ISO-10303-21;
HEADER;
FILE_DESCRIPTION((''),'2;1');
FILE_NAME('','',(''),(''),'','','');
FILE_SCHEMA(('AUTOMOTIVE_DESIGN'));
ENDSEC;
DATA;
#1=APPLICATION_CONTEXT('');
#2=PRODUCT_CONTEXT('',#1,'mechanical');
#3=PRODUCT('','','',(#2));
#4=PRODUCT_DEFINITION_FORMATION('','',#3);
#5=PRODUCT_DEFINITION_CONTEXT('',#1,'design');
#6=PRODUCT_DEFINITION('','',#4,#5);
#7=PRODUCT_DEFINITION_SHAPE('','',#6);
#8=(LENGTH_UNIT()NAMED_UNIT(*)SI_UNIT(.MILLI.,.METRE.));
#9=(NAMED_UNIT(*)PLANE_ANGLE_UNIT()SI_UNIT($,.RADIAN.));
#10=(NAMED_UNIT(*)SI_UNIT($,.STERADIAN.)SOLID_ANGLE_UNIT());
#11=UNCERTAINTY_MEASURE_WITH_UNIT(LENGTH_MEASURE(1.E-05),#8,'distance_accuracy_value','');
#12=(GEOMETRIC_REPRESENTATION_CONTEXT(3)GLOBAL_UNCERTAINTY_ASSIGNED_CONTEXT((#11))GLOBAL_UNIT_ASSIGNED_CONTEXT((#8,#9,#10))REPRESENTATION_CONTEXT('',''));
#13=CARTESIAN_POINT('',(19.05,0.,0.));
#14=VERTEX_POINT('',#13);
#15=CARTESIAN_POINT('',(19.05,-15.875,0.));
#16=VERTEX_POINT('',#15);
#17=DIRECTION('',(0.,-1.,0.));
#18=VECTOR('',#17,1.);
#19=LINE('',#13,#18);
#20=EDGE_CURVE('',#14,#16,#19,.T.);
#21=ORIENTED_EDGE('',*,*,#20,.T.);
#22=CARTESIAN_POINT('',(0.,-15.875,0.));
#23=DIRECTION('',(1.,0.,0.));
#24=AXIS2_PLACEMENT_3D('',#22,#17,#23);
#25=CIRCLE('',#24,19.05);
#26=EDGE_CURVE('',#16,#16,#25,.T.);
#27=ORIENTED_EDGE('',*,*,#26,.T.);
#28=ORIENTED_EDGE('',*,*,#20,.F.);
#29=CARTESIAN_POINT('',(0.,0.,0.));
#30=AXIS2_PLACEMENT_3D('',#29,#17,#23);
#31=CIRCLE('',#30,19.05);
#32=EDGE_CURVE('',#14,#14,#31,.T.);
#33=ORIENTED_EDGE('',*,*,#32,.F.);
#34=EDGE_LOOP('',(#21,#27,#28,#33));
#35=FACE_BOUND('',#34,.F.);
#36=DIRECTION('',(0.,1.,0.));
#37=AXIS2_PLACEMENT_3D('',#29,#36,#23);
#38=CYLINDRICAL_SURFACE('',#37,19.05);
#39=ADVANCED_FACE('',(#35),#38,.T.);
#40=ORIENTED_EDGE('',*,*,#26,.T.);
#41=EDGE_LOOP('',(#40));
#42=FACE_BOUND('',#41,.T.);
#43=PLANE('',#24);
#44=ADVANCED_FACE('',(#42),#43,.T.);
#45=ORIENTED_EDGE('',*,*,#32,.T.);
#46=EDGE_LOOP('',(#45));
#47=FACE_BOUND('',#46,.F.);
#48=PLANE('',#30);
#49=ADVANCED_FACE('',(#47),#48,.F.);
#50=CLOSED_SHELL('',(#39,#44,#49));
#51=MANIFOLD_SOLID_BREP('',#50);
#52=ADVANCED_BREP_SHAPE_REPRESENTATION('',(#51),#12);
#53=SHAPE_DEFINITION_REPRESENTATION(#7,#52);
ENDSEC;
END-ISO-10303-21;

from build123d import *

# Parameters (mm, degrees)
F0_R     = 19.05
F1_DEPTH = 15.875
F2_R     = 9.525
F3_DEPTH = 12.7
F4_DEPTH = 12.7


with BuildPart() as f1:
    # F0 (on Front) → F1 (new body)
    with BuildSketch(Plane.XZ):
        Circle(F0_R)
    extrude(amount=F1_DEPTH)

    # F2 (on Front) → F3 (cut)
    with BuildSketch(Plane.XZ):
        Circle(F2_R)
    extrude(amount=-F3_DEPTH, mode=Mode.SUBTRACT)

    # F2 (on Front) → F4 (cut)
    with BuildSketch(Plane.XZ):
        Circle(F2_R)
    extrude(amount=-F4_DEPTH, mode=Mode.SUBTRACT)


solid = f1.part
